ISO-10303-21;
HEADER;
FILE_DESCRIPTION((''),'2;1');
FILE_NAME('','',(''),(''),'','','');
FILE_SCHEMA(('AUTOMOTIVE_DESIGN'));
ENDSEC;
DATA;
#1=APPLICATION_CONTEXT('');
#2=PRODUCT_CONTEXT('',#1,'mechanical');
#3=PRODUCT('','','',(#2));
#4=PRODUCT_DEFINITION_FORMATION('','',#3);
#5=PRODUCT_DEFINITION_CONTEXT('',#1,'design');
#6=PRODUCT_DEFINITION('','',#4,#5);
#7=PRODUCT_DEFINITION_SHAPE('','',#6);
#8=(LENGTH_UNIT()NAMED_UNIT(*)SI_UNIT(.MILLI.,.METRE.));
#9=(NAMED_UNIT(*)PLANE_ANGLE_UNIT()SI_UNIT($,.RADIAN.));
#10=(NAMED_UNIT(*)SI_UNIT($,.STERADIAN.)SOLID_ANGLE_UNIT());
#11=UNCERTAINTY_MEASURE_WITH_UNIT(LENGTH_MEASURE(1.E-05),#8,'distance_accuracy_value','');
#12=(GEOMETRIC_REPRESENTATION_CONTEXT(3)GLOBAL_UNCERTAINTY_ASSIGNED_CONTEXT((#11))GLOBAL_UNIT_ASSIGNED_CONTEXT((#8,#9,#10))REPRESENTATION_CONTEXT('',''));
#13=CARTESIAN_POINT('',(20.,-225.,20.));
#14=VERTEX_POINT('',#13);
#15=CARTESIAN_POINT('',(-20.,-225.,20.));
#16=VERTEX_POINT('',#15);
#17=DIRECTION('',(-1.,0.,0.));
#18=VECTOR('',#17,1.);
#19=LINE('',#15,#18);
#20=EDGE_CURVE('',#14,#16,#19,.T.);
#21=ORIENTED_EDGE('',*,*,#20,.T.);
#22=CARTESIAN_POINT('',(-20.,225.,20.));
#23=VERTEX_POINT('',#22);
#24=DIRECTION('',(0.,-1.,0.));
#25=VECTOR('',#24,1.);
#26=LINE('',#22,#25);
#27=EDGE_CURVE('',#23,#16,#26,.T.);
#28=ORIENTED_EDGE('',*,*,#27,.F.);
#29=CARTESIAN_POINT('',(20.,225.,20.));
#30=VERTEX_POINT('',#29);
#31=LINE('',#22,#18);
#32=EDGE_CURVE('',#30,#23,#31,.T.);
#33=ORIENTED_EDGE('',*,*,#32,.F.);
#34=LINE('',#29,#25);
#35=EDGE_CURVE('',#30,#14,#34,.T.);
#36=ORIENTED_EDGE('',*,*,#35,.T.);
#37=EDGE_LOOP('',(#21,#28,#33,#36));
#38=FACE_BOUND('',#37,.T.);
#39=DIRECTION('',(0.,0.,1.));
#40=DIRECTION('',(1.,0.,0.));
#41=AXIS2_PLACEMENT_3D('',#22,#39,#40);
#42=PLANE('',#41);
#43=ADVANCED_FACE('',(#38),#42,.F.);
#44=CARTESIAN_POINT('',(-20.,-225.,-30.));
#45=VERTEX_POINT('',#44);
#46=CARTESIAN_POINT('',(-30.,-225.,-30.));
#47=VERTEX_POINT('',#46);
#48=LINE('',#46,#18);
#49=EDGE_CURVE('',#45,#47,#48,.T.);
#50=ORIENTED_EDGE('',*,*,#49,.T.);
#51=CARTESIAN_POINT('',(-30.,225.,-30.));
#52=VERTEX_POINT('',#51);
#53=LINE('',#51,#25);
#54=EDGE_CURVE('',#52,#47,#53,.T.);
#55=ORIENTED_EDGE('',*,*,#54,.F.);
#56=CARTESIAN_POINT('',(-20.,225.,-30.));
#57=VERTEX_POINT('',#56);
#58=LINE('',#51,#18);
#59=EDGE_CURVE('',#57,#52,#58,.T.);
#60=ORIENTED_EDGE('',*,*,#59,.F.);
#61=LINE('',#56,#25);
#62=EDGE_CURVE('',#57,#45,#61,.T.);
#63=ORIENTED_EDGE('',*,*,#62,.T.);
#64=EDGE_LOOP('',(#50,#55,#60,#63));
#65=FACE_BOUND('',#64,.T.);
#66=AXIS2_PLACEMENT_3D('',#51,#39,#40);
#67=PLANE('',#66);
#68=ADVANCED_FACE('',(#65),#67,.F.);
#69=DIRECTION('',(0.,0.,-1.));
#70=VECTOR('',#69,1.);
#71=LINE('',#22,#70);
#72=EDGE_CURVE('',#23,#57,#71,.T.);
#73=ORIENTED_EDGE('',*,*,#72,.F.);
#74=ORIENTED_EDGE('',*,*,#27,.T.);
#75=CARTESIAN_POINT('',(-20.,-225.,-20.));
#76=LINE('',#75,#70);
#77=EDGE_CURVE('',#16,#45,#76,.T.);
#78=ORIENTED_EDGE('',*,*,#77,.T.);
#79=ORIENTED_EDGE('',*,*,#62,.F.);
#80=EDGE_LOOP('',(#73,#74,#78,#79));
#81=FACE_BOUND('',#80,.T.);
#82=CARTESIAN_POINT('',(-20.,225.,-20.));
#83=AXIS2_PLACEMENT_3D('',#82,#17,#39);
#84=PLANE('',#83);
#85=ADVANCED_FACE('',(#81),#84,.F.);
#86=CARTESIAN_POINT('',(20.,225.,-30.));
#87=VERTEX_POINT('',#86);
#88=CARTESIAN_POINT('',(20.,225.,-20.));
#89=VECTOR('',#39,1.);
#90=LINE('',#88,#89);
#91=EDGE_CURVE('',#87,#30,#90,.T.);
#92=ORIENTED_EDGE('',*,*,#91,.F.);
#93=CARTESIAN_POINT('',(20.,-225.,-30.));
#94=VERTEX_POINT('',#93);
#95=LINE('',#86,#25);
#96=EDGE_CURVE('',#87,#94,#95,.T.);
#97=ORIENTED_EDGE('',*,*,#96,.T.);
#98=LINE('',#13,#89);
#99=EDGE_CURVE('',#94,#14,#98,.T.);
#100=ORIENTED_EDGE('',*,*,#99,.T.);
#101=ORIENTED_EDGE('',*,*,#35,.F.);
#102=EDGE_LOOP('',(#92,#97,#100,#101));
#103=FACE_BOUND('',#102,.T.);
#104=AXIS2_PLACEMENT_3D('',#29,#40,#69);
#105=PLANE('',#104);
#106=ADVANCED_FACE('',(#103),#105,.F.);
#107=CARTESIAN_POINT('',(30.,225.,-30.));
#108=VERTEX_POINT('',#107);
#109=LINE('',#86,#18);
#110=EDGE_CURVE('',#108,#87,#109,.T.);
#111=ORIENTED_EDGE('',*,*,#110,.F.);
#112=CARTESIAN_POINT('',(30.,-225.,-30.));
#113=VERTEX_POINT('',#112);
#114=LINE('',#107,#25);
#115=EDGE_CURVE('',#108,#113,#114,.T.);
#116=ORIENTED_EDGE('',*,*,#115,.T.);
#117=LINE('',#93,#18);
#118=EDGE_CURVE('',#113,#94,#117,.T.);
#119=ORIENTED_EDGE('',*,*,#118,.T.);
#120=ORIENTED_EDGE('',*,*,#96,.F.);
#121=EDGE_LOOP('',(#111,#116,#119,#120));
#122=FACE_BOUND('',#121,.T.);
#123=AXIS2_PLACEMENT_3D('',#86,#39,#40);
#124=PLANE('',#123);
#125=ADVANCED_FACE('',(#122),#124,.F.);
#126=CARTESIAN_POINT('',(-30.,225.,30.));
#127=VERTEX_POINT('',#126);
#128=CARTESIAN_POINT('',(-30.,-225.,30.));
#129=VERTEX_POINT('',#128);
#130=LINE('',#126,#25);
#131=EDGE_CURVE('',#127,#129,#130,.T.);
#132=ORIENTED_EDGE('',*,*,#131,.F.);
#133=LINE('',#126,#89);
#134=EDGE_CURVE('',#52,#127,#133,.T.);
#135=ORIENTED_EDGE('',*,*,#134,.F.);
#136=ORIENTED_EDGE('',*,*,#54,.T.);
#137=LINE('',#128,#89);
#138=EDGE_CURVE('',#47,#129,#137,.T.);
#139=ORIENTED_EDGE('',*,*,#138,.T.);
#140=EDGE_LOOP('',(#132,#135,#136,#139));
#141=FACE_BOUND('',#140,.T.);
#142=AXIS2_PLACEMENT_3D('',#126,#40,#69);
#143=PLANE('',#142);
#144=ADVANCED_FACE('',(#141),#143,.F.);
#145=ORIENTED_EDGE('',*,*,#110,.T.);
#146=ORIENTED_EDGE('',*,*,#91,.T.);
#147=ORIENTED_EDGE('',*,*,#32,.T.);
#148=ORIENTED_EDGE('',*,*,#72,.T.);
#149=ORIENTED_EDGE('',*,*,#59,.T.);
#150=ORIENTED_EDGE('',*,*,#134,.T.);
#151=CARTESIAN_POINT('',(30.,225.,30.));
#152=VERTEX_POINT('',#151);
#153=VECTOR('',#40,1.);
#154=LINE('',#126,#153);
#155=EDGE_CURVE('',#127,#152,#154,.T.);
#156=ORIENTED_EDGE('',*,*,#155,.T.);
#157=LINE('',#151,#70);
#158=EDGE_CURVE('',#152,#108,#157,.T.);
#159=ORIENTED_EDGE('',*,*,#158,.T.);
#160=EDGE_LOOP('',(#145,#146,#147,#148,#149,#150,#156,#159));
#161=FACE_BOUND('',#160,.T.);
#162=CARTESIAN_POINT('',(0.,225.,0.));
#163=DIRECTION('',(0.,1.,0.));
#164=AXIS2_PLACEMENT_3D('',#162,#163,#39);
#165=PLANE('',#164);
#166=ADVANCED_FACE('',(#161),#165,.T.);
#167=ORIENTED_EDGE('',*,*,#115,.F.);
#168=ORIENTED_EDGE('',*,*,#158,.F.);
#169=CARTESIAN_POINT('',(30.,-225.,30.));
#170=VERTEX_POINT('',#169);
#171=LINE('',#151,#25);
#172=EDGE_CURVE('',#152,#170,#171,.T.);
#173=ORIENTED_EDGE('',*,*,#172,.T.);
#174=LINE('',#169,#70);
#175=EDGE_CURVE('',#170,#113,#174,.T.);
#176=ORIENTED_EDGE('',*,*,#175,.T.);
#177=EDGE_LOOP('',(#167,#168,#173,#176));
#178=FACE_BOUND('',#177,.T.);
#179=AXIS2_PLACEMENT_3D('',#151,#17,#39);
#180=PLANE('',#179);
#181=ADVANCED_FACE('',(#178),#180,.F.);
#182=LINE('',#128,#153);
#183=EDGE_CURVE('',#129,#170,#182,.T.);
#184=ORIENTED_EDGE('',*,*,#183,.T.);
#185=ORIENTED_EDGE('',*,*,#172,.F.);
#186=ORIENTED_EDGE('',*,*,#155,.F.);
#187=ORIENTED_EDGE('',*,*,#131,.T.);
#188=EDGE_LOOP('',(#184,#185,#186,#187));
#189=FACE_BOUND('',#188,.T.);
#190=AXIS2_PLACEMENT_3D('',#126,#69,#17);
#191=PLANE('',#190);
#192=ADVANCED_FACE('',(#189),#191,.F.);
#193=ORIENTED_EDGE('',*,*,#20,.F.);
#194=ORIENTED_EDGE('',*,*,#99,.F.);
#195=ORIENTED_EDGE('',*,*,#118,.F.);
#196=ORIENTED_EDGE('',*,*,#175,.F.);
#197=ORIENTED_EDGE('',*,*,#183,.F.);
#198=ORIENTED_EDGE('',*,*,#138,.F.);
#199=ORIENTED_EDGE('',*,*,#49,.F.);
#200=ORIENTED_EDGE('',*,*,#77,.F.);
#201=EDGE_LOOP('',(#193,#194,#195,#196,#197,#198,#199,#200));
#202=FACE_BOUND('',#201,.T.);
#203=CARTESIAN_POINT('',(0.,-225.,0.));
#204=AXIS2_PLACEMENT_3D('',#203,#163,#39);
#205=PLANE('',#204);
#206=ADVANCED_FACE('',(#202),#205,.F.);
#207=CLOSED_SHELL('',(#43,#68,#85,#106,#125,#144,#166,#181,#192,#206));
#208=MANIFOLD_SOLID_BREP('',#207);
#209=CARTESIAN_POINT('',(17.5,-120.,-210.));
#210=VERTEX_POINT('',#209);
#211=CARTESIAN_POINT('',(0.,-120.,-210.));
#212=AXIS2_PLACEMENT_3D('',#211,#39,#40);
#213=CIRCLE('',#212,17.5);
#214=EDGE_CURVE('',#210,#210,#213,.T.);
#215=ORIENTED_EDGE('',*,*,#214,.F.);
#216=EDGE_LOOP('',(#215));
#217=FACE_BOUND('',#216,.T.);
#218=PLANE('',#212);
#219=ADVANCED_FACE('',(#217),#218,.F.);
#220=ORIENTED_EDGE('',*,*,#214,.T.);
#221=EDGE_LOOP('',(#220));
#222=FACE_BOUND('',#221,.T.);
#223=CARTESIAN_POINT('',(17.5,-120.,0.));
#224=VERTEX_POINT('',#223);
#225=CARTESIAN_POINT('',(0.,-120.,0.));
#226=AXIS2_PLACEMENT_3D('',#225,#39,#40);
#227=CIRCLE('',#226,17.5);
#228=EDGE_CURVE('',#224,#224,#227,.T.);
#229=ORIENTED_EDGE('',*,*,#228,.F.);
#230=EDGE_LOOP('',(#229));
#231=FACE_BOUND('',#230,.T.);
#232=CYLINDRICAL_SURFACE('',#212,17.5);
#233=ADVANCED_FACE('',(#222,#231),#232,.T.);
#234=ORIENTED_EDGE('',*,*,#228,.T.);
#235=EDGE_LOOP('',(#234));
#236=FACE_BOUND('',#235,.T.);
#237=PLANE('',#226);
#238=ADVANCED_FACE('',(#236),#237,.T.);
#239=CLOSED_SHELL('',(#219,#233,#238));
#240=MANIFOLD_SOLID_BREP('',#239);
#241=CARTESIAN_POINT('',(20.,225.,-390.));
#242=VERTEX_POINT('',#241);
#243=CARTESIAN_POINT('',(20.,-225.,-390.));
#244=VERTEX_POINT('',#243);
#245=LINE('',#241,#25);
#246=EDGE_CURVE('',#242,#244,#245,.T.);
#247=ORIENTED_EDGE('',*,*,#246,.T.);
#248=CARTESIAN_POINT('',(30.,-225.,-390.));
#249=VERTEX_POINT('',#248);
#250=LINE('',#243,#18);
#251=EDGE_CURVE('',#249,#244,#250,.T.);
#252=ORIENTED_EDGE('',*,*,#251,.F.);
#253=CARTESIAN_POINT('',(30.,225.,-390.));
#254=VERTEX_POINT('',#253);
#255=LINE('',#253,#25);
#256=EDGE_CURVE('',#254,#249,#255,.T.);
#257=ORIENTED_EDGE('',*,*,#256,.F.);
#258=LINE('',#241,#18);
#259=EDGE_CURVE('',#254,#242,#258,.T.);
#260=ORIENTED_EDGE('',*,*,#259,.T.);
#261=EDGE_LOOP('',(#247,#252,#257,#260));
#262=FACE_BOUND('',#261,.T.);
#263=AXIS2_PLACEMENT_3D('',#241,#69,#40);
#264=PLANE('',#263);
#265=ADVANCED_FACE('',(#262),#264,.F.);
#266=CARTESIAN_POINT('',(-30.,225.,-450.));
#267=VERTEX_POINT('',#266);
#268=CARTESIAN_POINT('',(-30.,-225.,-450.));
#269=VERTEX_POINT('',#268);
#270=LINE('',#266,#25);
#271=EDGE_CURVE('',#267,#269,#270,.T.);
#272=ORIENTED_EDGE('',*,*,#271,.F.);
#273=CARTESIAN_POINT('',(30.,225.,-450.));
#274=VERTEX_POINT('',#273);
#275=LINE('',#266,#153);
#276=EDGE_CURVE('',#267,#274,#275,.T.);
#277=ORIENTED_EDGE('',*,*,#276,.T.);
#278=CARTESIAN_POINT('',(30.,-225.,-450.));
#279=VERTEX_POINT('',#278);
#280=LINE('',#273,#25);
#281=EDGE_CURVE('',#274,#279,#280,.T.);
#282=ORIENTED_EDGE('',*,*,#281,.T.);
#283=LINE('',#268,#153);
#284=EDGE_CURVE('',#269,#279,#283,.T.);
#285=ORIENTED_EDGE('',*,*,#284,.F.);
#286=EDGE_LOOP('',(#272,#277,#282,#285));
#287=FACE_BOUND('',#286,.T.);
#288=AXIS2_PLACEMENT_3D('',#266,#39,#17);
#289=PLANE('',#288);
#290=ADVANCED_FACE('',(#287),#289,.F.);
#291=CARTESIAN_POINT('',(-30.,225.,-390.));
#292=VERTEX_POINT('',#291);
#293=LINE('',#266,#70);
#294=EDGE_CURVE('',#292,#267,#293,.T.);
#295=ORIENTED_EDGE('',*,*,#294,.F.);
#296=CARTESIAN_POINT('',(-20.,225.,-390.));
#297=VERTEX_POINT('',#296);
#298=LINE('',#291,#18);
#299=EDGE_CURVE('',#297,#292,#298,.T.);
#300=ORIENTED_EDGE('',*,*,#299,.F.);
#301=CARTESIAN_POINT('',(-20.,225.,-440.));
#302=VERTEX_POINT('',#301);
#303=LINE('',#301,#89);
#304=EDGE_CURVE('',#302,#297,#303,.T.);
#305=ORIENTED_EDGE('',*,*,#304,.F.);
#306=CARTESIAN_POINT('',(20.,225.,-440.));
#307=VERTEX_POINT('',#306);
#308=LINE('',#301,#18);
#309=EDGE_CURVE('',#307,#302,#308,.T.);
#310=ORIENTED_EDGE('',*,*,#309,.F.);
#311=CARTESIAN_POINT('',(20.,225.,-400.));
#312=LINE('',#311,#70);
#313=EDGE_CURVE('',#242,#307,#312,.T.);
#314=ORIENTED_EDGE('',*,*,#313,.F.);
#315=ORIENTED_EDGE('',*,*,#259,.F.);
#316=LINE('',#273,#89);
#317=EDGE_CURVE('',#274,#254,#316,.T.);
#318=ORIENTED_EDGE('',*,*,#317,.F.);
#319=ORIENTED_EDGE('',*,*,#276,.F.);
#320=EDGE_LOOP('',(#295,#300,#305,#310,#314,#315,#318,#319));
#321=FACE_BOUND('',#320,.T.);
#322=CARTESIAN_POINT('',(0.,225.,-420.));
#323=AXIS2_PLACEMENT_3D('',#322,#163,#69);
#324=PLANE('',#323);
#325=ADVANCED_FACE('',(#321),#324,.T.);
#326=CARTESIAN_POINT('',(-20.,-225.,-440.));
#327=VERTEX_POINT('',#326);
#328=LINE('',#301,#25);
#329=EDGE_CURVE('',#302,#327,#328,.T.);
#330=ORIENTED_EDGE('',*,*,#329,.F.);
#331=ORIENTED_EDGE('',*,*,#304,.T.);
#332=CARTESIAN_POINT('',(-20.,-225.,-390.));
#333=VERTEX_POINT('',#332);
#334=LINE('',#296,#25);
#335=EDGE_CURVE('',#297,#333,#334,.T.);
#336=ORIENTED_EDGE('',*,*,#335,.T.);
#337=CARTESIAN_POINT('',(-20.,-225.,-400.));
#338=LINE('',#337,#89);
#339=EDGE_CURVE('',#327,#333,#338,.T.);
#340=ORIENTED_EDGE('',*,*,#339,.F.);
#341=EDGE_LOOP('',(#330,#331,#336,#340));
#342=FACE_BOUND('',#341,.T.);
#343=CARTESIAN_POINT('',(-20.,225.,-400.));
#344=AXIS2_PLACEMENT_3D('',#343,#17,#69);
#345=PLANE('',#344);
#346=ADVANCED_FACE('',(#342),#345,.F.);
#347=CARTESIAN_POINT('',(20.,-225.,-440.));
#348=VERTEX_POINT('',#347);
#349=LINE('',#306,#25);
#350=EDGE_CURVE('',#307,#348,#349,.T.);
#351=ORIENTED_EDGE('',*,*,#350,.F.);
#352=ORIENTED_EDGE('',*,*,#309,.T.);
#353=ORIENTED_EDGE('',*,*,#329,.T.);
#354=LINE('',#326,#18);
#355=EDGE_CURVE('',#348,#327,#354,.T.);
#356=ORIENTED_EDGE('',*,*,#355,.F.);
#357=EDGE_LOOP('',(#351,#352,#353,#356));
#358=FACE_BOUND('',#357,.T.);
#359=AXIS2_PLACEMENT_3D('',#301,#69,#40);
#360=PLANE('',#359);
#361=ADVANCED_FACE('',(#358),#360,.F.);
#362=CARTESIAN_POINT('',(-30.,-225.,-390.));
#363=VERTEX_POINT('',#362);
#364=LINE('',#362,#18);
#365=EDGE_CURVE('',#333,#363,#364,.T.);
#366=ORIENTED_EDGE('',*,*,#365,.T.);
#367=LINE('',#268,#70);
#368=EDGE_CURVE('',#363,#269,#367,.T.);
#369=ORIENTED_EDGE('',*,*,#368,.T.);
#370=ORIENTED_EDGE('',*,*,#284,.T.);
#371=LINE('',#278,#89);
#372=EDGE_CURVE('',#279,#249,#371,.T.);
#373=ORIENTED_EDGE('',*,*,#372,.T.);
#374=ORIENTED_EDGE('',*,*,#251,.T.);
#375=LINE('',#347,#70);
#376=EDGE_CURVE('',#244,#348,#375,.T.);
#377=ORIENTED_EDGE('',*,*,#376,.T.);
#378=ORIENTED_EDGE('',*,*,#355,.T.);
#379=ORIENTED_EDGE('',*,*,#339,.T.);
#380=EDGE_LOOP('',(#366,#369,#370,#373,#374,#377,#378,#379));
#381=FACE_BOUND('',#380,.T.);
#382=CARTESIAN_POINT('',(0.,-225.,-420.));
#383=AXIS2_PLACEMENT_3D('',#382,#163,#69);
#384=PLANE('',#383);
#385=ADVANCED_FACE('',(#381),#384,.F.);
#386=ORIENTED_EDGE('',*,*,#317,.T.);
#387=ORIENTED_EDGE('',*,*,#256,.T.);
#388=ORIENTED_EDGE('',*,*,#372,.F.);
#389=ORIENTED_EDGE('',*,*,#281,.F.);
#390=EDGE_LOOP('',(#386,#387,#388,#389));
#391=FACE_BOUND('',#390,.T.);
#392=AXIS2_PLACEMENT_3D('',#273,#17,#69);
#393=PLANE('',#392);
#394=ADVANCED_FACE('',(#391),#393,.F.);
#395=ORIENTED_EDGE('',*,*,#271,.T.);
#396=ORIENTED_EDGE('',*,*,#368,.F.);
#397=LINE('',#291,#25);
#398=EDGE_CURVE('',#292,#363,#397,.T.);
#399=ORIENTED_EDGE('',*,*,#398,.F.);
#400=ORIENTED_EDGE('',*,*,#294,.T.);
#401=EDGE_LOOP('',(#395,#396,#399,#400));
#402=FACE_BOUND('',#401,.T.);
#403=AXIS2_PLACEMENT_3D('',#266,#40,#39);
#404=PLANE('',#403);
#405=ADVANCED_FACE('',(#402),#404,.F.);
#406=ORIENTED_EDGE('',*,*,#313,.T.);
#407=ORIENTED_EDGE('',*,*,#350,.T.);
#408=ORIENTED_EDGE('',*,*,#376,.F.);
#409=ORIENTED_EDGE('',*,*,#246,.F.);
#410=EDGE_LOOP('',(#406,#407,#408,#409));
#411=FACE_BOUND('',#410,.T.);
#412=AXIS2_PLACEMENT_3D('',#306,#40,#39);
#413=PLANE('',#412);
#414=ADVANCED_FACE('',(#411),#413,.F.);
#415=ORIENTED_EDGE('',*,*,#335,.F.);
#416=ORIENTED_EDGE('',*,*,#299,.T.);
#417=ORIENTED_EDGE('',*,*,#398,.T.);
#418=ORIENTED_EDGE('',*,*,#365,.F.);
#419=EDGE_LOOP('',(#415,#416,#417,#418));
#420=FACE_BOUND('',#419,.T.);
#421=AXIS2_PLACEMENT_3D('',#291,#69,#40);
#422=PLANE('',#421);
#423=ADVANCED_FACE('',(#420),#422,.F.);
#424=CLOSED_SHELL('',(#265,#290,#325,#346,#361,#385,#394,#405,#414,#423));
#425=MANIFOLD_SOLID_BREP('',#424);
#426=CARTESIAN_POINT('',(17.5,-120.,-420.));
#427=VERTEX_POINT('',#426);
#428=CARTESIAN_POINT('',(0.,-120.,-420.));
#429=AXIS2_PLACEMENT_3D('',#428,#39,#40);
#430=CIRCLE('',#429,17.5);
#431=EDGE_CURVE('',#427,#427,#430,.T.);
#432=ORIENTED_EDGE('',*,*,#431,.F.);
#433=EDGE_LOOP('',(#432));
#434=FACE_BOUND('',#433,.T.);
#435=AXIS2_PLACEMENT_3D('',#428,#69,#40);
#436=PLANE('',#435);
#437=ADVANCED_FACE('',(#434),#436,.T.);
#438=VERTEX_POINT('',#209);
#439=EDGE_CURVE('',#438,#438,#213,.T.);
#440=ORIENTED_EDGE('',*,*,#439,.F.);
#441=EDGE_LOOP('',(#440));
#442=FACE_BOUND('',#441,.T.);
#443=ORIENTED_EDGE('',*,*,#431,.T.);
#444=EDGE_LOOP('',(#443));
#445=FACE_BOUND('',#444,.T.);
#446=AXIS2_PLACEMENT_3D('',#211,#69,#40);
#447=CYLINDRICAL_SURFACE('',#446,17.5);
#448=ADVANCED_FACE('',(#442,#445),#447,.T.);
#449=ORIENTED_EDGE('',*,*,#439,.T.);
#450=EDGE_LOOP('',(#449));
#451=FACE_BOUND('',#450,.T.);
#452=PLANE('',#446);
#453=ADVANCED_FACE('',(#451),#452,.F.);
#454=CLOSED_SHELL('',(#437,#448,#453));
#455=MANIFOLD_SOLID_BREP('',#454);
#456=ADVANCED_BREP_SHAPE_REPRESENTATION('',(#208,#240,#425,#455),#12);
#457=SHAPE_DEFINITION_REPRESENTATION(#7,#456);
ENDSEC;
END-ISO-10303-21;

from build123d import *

# Parameters (mm, degrees)
BOSS_EXTRUDE1_DEPTH = 225
SKETCH3_R           = 17.5
BOSS_EXTRUDE2_DEPTH = 210


with BuildPart() as part:
    # Sketch2 → Boss-Extrude1 (new body, symmetric)
    with BuildSketch(Plane(origin=(0, 0, 0), x_dir=(1, 0, 0), z_dir=(0, 1, 0))):
        Polygon((-20, 20), (-20, 30), (-30, 30), (-30, -30), (30, -30), (30, 30), (20, 30), (20, 20), (20, -20), (-20, -20), align=None)
    extrude(amount=BOSS_EXTRUDE1_DEPTH, both=True)


with BuildPart() as body_2:
    # Sketch3 → Boss-Extrude2 (new body)
    with BuildSketch(Plane.XY):
        with Locations((0, -120)):
            Circle(SKETCH3_R)
    extrude(amount=-BOSS_EXTRUDE2_DEPTH)


with BuildPart() as body_3:
    # Mirror3: mirrored copy
    add(body_2.part.mirror(Plane(origin=(0, -120, -210), x_dir=(1, 0, 0), z_dir=(0, 0, 1))))


with BuildPart() as body_4:
    # Mirror3 2: mirrored copy
    add(part.part.mirror(Plane(origin=(0, -120, -210), x_dir=(1, 0, 0), z_dir=(0, 0, 1))))


solid = Compound([part.part, body_2.part, body_3.part, body_4.part])
